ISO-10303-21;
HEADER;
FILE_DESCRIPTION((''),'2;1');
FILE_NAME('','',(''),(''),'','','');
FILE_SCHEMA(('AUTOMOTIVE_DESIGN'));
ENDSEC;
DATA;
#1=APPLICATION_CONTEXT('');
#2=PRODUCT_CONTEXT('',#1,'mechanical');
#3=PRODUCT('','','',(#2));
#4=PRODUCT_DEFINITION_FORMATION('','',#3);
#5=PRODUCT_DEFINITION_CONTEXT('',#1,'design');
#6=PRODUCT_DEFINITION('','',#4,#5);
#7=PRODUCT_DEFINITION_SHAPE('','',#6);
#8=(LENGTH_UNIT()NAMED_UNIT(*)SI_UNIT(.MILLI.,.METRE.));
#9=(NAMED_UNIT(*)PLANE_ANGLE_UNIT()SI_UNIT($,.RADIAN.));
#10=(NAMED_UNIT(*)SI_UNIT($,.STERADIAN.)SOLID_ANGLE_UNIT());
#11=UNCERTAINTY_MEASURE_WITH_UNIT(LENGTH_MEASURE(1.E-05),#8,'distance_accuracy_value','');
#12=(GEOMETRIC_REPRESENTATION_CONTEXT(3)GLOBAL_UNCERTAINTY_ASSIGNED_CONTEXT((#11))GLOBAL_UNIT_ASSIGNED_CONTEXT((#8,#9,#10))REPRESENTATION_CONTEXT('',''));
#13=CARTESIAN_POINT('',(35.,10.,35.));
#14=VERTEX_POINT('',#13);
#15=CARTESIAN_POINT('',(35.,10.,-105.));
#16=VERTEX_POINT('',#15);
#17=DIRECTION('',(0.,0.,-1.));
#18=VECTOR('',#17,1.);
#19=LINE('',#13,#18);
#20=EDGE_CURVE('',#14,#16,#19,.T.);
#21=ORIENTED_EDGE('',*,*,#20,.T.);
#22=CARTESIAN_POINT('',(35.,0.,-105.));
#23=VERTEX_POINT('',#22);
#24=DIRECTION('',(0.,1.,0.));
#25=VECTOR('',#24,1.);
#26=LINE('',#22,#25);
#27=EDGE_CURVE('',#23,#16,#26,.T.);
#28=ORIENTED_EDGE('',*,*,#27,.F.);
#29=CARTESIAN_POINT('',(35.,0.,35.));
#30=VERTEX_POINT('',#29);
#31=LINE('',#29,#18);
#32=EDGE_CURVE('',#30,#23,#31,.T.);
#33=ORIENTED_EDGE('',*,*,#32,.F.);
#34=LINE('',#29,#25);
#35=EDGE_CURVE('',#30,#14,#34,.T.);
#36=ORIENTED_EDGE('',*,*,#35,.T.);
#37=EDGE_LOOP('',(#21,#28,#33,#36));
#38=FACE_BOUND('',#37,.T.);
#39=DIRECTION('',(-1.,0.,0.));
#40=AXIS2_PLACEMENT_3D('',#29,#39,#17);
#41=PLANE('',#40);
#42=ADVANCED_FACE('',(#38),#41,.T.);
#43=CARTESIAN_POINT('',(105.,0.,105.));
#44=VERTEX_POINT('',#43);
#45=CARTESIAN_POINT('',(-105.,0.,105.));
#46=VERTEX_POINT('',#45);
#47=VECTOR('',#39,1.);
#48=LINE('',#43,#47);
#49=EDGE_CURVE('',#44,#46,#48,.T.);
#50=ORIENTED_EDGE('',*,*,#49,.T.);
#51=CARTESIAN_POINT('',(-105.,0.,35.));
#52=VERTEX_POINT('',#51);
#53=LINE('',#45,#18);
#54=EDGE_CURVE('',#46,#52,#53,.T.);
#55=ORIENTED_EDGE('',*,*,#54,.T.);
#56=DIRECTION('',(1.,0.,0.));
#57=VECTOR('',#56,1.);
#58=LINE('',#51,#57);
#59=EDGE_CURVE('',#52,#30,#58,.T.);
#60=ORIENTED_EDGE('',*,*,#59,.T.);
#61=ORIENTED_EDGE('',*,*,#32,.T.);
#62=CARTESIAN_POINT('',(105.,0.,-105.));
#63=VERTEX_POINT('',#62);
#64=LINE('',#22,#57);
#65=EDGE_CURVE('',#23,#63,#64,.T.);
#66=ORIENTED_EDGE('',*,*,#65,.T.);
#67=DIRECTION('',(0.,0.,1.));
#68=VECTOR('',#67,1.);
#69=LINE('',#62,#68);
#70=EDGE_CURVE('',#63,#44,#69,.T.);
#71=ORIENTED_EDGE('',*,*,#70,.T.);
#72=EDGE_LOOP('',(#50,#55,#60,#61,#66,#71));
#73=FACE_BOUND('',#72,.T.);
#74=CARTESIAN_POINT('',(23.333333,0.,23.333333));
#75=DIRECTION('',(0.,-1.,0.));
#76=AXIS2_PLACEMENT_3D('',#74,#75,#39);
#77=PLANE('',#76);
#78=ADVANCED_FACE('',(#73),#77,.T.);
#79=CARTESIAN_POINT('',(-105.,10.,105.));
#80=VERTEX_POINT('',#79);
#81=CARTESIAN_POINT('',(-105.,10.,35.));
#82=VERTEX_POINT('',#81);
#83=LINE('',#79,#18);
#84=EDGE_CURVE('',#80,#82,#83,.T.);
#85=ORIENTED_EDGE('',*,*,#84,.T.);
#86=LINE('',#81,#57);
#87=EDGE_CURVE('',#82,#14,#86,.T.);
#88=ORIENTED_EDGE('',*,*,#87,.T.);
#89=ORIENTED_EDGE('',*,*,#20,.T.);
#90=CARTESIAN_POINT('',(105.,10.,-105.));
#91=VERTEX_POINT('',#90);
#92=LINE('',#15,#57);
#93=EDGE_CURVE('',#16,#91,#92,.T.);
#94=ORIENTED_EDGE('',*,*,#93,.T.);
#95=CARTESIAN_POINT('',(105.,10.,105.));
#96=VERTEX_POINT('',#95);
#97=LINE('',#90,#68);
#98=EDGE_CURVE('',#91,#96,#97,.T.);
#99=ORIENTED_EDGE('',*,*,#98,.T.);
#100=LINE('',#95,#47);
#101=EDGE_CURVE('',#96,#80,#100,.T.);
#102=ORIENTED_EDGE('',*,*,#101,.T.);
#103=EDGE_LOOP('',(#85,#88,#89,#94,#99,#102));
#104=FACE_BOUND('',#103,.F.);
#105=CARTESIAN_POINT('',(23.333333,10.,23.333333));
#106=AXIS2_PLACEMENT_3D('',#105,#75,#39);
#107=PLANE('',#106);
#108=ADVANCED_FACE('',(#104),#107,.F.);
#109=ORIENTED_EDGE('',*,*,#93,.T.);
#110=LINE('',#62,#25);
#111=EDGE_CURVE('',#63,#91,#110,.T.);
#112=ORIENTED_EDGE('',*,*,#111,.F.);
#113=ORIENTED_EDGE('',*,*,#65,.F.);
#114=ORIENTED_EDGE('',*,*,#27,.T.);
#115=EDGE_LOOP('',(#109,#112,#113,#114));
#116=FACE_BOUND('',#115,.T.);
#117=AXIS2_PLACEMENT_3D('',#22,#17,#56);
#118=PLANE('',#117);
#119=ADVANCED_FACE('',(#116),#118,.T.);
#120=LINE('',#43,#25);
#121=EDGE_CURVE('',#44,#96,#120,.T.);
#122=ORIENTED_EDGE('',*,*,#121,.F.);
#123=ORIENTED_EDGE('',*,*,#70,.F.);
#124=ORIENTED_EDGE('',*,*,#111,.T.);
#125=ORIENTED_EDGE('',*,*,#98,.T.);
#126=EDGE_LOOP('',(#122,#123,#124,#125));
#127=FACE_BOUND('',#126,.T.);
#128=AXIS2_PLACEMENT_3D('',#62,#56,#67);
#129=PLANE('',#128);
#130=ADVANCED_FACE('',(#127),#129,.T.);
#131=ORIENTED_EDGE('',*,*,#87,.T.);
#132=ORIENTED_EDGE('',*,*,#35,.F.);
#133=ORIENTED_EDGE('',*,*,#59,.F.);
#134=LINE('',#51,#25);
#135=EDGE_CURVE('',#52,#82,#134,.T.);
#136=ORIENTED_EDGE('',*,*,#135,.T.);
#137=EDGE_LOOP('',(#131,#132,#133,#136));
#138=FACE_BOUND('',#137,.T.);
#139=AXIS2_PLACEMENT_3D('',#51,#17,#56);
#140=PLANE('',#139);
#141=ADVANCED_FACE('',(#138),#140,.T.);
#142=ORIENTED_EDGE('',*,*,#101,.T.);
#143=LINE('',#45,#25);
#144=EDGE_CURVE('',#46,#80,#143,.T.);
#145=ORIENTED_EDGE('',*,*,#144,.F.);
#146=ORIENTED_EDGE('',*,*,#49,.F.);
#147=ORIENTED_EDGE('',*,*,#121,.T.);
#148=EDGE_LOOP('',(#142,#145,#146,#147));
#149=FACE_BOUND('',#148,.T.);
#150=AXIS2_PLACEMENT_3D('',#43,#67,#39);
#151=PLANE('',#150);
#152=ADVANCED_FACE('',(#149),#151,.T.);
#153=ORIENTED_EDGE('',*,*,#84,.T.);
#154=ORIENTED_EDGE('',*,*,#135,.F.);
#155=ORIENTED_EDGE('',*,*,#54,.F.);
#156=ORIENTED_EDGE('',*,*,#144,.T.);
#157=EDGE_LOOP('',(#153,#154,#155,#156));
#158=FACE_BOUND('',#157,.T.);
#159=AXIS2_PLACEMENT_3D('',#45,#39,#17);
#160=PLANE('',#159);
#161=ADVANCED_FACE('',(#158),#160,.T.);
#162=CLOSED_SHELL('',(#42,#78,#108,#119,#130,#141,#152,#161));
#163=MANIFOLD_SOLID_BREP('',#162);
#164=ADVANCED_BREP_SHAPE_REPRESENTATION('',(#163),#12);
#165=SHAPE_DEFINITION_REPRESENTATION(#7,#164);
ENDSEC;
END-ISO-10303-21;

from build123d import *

# Parameters (mm, degrees)
BOSS_EXTRUDE1_DEPTH = 10


with BuildPart() as part:
    # Sketch1 → Boss-Extrude1 (new body)
    with BuildSketch(Plane(origin=(0, 0, 0), x_dir=(1, 0, 0), z_dir=(0, 1, 0))):
        Polygon((35, 105), (105, 105), (105, -105), (-105, -105), (-105, -35), (35, -35), align=None)
    extrude(amount=BOSS_EXTRUDE1_DEPTH)


solid = part.part
